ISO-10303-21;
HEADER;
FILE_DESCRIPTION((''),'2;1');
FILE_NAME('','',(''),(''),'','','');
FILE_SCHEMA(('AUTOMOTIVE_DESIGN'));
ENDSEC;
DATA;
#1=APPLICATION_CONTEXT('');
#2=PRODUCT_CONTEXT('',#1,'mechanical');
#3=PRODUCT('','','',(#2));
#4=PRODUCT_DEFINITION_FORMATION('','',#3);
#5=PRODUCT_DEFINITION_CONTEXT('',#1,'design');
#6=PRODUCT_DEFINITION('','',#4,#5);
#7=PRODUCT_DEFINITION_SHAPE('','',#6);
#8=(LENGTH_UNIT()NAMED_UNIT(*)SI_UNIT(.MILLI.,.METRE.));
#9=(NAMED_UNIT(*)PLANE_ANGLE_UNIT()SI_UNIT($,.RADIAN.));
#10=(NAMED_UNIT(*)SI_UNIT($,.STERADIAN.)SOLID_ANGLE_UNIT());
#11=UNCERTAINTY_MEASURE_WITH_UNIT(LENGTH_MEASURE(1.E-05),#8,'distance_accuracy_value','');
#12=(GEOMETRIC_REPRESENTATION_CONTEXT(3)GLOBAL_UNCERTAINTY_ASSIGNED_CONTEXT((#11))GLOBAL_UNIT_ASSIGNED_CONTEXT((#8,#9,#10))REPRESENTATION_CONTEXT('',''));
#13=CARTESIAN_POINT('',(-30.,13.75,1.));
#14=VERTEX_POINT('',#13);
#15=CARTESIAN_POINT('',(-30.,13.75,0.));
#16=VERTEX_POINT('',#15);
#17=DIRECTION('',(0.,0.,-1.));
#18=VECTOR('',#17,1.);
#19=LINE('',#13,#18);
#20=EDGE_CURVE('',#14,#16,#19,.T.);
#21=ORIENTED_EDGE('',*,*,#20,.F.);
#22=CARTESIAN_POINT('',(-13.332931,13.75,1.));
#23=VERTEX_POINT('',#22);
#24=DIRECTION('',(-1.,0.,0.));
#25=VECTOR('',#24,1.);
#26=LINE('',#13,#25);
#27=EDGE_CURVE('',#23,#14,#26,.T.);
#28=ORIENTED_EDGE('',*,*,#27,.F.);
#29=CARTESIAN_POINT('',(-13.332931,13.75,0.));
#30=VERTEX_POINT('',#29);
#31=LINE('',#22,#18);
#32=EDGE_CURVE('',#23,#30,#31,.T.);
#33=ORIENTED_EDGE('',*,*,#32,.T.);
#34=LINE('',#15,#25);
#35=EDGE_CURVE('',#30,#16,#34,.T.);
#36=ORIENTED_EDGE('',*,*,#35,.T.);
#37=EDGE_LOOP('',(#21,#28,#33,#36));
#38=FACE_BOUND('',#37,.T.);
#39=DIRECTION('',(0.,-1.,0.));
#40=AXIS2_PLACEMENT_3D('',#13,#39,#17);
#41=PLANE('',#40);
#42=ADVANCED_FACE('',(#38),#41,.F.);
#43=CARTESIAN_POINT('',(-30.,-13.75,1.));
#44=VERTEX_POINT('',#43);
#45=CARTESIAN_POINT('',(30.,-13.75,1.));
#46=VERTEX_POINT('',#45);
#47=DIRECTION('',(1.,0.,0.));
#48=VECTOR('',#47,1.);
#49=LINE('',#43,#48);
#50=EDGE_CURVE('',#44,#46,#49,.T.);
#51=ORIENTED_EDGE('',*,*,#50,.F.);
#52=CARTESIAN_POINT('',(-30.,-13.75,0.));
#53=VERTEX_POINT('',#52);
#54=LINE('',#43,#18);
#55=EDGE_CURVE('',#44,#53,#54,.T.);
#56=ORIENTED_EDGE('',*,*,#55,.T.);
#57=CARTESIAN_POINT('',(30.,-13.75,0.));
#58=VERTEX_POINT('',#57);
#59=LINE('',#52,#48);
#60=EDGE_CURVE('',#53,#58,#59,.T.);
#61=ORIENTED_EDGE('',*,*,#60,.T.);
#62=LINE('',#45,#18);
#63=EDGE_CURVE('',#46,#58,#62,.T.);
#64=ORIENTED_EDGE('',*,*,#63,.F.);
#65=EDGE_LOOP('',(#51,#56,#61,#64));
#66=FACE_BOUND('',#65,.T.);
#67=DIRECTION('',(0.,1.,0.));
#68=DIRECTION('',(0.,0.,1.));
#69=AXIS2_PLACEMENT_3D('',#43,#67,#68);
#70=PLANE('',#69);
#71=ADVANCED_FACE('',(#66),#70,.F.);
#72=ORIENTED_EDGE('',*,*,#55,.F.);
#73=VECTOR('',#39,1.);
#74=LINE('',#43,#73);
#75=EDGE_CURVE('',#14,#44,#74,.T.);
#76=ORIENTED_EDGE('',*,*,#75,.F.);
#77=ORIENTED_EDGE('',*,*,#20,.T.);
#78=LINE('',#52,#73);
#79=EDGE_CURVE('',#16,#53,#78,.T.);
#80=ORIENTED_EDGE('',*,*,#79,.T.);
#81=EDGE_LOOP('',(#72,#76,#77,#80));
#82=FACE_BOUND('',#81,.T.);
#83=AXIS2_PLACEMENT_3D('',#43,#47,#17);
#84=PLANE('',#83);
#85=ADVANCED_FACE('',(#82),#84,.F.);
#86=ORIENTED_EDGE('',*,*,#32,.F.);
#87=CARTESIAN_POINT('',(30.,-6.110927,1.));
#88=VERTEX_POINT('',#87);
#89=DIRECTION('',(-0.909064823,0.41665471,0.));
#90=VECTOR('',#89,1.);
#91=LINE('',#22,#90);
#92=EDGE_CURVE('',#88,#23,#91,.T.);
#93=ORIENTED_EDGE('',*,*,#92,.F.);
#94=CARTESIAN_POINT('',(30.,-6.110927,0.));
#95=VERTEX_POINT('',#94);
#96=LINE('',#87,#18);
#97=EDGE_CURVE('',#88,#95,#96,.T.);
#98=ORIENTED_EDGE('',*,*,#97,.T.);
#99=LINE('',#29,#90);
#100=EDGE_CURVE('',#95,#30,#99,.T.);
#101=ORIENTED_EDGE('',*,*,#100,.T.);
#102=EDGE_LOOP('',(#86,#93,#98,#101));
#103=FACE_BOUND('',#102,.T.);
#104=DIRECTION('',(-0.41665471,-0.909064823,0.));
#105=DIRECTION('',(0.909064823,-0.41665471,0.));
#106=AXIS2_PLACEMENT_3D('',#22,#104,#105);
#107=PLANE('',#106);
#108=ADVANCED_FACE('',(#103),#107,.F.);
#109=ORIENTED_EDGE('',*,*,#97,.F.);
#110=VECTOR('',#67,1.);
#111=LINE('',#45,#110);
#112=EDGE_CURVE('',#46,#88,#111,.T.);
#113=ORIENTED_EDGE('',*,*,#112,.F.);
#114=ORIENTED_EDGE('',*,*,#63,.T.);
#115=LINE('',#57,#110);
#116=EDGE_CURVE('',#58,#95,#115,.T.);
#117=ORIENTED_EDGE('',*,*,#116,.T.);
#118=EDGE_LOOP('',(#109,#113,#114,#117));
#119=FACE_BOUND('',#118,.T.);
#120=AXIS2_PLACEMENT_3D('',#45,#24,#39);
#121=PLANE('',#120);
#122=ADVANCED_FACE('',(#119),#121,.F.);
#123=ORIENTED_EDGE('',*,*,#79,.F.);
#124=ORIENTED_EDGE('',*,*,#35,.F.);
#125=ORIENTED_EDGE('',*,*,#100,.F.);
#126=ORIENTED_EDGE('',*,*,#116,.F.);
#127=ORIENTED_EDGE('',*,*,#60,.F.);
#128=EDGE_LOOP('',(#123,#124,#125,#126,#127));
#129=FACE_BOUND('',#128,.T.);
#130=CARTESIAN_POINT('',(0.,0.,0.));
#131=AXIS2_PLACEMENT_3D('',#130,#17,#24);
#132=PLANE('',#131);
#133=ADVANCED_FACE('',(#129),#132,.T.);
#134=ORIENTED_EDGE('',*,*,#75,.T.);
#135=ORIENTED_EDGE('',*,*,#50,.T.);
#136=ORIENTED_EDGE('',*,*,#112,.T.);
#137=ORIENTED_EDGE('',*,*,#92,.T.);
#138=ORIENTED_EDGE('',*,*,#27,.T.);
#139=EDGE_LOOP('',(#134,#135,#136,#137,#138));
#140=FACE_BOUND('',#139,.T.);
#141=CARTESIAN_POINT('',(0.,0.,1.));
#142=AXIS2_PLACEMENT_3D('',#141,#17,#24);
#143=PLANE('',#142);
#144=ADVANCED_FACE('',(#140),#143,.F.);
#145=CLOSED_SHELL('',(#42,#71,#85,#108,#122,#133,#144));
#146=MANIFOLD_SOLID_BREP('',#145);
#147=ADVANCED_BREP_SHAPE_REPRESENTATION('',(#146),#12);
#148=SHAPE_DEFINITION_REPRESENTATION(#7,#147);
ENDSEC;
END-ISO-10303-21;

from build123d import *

# Parameters (mm, degrees)
BOSS_EXTRUDE1_DEPTH = 1


with BuildPart() as part:
    # Sketch1 → Boss-Extrude1 (new body)
    with BuildSketch(Plane.XY):
        Polygon((-13.332931237, 13.75), (30, -6.110926817), (30, -13.75), (-30, -13.75), (-30, 13.75), align=None)
    extrude(amount=BOSS_EXTRUDE1_DEPTH)


solid = part.part
